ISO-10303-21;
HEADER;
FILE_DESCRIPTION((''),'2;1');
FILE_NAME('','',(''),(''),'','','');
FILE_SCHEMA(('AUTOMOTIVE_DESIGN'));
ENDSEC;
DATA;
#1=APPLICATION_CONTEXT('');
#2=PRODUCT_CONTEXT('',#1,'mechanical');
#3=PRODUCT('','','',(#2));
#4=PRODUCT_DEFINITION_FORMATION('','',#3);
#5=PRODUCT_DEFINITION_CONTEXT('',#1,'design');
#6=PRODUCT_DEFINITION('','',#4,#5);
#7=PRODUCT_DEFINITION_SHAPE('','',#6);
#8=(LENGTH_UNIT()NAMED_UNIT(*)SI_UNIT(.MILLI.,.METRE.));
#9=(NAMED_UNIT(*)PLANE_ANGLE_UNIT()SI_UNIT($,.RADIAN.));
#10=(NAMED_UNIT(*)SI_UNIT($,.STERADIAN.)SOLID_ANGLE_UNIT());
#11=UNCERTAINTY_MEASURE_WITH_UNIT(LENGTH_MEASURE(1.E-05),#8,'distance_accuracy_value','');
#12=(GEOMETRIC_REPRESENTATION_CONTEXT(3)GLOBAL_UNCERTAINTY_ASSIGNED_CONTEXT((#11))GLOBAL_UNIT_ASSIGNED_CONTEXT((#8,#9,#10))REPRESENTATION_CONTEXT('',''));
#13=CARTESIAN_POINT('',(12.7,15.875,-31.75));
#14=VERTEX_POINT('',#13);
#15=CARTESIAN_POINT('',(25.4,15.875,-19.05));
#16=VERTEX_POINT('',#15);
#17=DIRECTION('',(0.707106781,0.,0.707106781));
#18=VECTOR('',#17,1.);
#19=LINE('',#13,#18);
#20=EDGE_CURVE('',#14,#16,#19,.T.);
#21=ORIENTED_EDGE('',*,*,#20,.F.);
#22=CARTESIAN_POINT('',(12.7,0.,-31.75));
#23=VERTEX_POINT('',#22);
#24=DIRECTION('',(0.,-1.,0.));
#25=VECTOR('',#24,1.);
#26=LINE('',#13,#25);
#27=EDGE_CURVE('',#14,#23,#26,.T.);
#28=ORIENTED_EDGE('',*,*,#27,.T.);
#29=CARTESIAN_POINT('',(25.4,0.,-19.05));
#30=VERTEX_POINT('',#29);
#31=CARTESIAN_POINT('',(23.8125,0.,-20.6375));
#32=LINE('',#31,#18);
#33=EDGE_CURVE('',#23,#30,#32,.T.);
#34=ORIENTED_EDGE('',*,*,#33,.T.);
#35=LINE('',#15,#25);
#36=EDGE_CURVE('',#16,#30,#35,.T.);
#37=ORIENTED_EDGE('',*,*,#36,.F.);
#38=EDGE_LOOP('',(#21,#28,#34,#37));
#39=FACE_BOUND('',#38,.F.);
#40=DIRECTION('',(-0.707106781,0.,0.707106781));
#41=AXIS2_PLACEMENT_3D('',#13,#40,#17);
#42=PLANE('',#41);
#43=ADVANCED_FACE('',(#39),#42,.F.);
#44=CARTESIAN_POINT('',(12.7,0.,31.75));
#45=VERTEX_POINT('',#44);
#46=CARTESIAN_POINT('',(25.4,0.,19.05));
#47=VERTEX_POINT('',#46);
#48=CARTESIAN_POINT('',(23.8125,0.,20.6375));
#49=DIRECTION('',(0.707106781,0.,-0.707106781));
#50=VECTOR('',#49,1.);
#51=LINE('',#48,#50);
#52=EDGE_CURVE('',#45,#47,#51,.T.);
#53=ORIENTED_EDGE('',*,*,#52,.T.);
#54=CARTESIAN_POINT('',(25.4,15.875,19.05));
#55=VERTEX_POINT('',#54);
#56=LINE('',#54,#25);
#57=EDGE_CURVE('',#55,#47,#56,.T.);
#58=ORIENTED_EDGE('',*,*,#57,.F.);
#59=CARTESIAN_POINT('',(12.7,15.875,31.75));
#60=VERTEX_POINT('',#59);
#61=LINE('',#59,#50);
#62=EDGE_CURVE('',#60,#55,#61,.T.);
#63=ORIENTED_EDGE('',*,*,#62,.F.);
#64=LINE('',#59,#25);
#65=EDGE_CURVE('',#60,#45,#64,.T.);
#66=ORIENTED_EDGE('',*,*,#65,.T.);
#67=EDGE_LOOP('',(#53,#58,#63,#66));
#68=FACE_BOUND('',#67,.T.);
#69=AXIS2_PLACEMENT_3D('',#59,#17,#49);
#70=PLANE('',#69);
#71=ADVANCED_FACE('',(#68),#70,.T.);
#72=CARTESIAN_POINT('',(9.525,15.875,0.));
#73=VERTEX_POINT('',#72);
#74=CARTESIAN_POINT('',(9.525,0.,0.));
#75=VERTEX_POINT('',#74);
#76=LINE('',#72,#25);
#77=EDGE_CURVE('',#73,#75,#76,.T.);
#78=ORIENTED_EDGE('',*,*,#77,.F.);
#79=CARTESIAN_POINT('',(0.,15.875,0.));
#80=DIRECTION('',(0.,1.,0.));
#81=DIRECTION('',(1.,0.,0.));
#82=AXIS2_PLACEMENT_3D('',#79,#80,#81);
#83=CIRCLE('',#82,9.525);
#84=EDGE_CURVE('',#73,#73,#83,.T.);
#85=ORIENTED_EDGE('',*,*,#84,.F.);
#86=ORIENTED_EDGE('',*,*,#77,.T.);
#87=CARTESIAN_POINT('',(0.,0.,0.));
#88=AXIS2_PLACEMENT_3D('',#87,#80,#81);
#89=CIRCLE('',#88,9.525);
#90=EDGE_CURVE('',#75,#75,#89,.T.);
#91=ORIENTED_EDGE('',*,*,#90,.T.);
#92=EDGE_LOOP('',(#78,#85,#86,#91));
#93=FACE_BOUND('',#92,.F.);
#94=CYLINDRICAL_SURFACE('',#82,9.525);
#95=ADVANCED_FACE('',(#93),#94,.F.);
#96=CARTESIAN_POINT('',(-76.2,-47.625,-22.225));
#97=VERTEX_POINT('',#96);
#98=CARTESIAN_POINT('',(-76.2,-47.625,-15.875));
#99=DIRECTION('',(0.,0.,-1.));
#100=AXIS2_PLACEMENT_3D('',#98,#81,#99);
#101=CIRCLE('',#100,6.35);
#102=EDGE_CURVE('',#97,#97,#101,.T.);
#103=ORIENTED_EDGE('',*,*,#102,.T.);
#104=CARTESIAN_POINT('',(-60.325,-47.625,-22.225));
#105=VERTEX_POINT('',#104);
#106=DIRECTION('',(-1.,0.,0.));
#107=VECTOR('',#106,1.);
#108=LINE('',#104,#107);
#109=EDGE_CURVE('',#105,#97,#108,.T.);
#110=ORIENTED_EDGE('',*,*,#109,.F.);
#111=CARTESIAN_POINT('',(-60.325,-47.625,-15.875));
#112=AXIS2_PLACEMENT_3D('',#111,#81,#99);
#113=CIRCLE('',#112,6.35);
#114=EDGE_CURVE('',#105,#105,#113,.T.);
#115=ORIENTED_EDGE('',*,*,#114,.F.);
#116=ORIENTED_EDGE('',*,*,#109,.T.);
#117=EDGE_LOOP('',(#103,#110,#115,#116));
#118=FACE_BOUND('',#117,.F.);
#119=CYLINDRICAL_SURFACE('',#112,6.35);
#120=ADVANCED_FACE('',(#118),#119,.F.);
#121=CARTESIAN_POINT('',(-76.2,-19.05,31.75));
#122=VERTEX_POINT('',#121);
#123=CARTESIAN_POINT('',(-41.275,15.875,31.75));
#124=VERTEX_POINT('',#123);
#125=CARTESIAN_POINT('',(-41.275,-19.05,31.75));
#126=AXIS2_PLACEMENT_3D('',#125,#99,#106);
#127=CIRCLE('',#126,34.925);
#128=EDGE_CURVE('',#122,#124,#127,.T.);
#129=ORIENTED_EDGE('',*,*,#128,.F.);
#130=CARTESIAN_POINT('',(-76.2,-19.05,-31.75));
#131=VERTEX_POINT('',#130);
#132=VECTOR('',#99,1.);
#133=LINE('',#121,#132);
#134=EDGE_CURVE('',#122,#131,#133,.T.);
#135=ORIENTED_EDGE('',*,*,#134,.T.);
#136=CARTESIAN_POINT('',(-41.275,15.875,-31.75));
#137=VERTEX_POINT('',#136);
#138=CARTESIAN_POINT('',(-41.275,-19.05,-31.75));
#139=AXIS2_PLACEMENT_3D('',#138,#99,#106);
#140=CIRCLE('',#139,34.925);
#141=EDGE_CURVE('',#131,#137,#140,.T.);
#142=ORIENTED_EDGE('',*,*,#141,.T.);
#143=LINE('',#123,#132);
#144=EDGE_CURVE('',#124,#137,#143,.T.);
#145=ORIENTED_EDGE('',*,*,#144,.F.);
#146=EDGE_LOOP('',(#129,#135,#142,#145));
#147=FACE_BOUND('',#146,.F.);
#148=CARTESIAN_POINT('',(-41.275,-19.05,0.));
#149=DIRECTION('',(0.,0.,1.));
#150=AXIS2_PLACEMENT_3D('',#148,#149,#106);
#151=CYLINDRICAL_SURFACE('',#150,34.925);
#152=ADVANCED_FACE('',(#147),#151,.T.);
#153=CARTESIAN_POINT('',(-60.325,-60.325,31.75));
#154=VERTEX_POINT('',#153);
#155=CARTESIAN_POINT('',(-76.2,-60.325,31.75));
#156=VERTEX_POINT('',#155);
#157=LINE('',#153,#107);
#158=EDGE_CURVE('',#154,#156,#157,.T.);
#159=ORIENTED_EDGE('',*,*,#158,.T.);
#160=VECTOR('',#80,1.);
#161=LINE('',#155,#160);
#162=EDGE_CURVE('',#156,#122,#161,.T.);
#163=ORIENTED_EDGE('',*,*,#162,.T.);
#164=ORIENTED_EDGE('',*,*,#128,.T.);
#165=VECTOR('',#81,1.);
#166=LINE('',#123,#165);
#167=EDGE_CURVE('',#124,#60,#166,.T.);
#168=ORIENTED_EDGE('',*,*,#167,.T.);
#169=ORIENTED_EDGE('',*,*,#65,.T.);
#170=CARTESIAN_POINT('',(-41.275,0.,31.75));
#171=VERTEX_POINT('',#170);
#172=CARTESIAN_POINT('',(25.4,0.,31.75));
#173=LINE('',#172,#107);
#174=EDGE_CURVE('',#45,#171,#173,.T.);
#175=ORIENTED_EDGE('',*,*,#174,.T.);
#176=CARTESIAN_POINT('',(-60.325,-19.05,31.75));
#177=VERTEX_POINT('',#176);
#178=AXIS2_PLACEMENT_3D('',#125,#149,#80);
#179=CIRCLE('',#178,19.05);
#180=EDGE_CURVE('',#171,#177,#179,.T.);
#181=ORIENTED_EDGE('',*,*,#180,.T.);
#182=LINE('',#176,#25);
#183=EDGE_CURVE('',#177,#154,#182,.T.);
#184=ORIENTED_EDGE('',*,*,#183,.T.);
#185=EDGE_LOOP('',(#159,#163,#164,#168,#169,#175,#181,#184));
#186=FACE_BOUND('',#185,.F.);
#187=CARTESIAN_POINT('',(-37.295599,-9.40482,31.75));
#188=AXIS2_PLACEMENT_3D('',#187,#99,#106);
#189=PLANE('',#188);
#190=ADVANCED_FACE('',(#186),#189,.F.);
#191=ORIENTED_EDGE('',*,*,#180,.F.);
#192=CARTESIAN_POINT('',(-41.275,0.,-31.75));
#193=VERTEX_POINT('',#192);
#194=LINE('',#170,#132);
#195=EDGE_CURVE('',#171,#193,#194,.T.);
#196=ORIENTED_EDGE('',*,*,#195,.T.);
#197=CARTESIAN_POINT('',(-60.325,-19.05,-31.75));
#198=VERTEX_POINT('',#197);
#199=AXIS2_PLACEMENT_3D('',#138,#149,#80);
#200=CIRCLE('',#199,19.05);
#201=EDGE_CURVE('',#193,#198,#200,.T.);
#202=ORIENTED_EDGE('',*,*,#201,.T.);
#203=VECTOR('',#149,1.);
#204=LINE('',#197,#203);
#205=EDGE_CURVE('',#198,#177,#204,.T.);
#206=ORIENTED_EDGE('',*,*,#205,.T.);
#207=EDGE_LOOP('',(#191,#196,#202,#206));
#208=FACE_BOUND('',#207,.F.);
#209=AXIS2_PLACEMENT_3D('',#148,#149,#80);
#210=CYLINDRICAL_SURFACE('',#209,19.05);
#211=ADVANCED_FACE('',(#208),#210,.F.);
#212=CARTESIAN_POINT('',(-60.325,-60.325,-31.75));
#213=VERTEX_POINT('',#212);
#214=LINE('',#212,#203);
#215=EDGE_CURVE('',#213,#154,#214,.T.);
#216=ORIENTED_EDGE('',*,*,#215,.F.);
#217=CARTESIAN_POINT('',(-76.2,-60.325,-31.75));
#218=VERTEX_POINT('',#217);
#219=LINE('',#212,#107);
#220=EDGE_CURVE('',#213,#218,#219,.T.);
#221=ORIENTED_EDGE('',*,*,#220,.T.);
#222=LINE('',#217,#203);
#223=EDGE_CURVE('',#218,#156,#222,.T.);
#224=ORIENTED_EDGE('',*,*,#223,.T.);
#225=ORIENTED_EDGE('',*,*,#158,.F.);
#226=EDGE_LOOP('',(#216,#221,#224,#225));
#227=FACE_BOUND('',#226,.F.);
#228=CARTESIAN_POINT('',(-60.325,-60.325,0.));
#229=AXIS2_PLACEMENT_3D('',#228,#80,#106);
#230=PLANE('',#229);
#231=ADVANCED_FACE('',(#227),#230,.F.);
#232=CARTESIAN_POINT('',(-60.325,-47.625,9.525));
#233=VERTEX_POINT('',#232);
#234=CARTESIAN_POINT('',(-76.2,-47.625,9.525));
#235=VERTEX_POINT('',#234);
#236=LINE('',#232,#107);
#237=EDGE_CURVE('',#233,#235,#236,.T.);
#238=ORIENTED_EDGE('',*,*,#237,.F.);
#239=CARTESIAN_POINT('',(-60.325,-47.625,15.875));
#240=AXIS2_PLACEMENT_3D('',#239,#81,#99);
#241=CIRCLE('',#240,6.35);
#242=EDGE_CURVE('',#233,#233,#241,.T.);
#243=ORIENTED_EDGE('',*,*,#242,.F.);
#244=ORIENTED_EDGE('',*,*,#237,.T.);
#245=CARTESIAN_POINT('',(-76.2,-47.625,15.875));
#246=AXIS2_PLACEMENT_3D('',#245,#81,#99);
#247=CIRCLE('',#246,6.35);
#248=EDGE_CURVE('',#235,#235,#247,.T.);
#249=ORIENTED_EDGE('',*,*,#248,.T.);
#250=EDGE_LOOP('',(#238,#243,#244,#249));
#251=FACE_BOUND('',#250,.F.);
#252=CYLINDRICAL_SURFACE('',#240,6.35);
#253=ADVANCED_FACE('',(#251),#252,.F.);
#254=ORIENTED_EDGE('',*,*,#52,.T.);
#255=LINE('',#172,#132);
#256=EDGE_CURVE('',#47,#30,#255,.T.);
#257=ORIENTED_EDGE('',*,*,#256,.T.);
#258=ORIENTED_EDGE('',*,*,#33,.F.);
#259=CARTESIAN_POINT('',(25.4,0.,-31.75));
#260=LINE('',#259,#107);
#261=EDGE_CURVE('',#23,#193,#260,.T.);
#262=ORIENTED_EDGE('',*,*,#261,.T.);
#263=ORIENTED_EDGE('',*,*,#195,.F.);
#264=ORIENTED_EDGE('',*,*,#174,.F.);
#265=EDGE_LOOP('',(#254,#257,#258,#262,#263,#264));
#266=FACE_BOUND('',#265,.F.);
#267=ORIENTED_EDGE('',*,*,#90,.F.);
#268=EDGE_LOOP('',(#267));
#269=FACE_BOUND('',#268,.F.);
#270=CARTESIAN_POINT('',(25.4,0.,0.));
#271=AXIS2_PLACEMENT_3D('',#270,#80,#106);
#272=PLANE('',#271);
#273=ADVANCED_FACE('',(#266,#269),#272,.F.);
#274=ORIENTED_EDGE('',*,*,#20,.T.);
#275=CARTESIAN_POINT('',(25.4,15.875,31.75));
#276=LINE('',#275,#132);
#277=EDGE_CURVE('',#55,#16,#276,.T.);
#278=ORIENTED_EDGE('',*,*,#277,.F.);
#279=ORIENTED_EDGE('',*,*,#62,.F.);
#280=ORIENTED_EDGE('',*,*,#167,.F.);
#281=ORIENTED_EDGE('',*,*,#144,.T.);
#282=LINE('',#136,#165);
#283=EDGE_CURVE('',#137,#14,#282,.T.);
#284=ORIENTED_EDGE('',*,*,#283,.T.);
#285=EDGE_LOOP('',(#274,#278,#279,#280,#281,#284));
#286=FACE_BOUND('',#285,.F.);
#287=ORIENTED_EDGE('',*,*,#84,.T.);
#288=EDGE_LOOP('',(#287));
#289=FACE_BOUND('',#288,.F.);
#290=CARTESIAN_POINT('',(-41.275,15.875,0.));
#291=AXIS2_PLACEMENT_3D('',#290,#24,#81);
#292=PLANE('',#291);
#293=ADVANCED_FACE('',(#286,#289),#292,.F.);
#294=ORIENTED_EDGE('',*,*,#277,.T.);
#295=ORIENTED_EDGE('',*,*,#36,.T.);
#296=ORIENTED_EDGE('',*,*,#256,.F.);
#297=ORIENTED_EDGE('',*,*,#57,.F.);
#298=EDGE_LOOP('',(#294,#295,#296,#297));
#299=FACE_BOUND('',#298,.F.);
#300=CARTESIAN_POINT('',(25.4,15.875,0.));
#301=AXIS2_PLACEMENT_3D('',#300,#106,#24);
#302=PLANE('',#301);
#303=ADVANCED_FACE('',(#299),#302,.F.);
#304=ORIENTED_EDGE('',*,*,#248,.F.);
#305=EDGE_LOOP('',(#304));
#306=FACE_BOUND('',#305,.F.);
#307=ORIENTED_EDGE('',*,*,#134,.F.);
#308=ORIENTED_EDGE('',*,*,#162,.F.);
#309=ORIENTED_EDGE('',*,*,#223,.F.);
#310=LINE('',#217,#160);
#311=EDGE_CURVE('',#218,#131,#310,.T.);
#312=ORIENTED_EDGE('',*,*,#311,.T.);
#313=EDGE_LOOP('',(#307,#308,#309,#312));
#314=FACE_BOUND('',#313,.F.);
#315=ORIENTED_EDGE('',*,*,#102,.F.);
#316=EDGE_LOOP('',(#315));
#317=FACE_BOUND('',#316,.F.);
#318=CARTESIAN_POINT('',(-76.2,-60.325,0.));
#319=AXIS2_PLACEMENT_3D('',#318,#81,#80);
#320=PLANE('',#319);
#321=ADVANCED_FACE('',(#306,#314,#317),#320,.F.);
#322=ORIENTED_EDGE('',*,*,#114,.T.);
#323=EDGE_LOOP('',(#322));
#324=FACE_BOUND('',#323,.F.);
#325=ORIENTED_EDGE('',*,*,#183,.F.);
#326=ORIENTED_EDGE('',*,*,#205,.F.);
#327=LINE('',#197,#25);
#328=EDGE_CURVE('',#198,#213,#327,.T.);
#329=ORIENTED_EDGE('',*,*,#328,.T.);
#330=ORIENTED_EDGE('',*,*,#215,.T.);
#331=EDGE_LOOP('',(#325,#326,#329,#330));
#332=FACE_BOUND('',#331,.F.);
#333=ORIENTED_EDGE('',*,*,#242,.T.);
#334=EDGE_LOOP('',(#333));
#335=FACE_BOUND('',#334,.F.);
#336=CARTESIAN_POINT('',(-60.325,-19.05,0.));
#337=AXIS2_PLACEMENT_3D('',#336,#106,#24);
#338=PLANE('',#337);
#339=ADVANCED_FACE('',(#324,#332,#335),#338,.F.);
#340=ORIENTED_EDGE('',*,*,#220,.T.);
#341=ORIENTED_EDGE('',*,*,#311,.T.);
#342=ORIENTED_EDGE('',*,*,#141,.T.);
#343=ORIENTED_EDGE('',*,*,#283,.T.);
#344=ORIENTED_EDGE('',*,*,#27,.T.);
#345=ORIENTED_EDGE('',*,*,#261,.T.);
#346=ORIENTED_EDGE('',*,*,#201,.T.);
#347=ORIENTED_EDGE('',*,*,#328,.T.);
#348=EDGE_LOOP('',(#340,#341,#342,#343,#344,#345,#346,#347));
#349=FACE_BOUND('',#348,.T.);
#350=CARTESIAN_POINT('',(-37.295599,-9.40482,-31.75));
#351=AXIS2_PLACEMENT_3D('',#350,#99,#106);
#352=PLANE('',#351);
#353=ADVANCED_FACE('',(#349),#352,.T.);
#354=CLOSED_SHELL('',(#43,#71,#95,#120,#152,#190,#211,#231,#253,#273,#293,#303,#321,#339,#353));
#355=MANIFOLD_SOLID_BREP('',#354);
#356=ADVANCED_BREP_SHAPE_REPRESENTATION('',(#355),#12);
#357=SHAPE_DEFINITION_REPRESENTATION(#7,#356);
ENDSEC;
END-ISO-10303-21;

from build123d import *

# Parameters (mm, degrees)
BOSS_EXTRUDE1_DEPTH    = 31.75
SKETCH2_R              = 9.525
BALL_ANCHOR_HOLE_DEPTH = 77.2
F_45_DEG_CORNERS_DEPTH = 77.2
BOLT_HOLE_X_2_REACH    = 17.875
SKETCH4_R              = 6.35


with BuildPart() as part:
    # Sketch1 → Boss-Extrude1 (new body, symmetric)
    with BuildSketch(Plane.XY):
        with BuildLine():
            Line((-76.2, -60.325), (-76.2, -19.05))
            ThreePointArc((-76.2, -19.05), (-65.970704333, 5.645704333), (-41.275, 15.875))
            Line((-41.275, 15.875), (25.4, 15.875))
            Line((25.4, 15.875), (25.4, 0))
            Line((25.4, 0), (-41.275, 0))
            ThreePointArc((-41.275, 0), (-54.745384182, -5.579615818), (-60.325, -19.05))
            Line((-60.325, -19.05), (-60.325, -60.325))
            Line((-60.325, -60.325), (-76.2, -60.325))
        make_face()
    extrude(amount=BOSS_EXTRUDE1_DEPTH, both=True)

    # Sketch2 → Ball Anchor hole (cut, through all)
    with BuildSketch(Plane(origin=(0, 15.875, 0), x_dir=(1, 0, 0), z_dir=(0, 1, 0))):
        Circle(SKETCH2_R)
    extrude(amount=-BALL_ANCHOR_HOLE_DEPTH, mode=Mode.SUBTRACT)

    # Sketch3 → 45 Deg Corners (cut, through all)
    with BuildSketch(Plane(origin=(0, 15.875, 0), x_dir=(1, 0, 0), z_dir=(0, 1, 0))):
        Polygon((12.7, 31.75), (25.4, 19.05), (25.4, 31.75), align=None)
        Polygon((12.7, -31.75), (25.4, -19.05), (25.4, -31.75), align=None)
    extrude(amount=-F_45_DEG_CORNERS_DEPTH, mode=Mode.SUBTRACT)

    # Sketch4 → Bolt Hole x 2 (cut, up to next)
    with BuildSketch(Plane(origin=(-60.325, 0, 0), x_dir=(0, 0, -1), z_dir=(1, 0, 0)), mode=Mode.PRIVATE) as bolt_hole_x_2_sk1:
        with Locations((-15.875, -47.625)):
            Circle(SKETCH4_R)
    bolt_hole_x_2_tool1 = extrude(bolt_hole_x_2_sk1.sketch, amount=-BOLT_HOLE_X_2_REACH, mode=Mode.PRIVATE) & part.part
    add(bolt_hole_x_2_tool1.solids().sort_by_distance((-60.325, -47.625, 15.875))[0], mode=Mode.SUBTRACT)
    # Sketch4 → Bolt Hole x 2 (cut, up to next)
    with BuildSketch(Plane(origin=(-60.325, 0, 0), x_dir=(0, 0, -1), z_dir=(1, 0, 0)), mode=Mode.PRIVATE) as bolt_hole_x_2_sk2:
        with Locations((15.875, -47.625)):
            Circle(SKETCH4_R)
    bolt_hole_x_2_tool2 = extrude(bolt_hole_x_2_sk2.sketch, amount=-BOLT_HOLE_X_2_REACH, mode=Mode.PRIVATE) & part.part
    add(bolt_hole_x_2_tool2.solids().sort_by_distance((-60.325, -47.625, -15.875))[0], mode=Mode.SUBTRACT)


solid = part.part
